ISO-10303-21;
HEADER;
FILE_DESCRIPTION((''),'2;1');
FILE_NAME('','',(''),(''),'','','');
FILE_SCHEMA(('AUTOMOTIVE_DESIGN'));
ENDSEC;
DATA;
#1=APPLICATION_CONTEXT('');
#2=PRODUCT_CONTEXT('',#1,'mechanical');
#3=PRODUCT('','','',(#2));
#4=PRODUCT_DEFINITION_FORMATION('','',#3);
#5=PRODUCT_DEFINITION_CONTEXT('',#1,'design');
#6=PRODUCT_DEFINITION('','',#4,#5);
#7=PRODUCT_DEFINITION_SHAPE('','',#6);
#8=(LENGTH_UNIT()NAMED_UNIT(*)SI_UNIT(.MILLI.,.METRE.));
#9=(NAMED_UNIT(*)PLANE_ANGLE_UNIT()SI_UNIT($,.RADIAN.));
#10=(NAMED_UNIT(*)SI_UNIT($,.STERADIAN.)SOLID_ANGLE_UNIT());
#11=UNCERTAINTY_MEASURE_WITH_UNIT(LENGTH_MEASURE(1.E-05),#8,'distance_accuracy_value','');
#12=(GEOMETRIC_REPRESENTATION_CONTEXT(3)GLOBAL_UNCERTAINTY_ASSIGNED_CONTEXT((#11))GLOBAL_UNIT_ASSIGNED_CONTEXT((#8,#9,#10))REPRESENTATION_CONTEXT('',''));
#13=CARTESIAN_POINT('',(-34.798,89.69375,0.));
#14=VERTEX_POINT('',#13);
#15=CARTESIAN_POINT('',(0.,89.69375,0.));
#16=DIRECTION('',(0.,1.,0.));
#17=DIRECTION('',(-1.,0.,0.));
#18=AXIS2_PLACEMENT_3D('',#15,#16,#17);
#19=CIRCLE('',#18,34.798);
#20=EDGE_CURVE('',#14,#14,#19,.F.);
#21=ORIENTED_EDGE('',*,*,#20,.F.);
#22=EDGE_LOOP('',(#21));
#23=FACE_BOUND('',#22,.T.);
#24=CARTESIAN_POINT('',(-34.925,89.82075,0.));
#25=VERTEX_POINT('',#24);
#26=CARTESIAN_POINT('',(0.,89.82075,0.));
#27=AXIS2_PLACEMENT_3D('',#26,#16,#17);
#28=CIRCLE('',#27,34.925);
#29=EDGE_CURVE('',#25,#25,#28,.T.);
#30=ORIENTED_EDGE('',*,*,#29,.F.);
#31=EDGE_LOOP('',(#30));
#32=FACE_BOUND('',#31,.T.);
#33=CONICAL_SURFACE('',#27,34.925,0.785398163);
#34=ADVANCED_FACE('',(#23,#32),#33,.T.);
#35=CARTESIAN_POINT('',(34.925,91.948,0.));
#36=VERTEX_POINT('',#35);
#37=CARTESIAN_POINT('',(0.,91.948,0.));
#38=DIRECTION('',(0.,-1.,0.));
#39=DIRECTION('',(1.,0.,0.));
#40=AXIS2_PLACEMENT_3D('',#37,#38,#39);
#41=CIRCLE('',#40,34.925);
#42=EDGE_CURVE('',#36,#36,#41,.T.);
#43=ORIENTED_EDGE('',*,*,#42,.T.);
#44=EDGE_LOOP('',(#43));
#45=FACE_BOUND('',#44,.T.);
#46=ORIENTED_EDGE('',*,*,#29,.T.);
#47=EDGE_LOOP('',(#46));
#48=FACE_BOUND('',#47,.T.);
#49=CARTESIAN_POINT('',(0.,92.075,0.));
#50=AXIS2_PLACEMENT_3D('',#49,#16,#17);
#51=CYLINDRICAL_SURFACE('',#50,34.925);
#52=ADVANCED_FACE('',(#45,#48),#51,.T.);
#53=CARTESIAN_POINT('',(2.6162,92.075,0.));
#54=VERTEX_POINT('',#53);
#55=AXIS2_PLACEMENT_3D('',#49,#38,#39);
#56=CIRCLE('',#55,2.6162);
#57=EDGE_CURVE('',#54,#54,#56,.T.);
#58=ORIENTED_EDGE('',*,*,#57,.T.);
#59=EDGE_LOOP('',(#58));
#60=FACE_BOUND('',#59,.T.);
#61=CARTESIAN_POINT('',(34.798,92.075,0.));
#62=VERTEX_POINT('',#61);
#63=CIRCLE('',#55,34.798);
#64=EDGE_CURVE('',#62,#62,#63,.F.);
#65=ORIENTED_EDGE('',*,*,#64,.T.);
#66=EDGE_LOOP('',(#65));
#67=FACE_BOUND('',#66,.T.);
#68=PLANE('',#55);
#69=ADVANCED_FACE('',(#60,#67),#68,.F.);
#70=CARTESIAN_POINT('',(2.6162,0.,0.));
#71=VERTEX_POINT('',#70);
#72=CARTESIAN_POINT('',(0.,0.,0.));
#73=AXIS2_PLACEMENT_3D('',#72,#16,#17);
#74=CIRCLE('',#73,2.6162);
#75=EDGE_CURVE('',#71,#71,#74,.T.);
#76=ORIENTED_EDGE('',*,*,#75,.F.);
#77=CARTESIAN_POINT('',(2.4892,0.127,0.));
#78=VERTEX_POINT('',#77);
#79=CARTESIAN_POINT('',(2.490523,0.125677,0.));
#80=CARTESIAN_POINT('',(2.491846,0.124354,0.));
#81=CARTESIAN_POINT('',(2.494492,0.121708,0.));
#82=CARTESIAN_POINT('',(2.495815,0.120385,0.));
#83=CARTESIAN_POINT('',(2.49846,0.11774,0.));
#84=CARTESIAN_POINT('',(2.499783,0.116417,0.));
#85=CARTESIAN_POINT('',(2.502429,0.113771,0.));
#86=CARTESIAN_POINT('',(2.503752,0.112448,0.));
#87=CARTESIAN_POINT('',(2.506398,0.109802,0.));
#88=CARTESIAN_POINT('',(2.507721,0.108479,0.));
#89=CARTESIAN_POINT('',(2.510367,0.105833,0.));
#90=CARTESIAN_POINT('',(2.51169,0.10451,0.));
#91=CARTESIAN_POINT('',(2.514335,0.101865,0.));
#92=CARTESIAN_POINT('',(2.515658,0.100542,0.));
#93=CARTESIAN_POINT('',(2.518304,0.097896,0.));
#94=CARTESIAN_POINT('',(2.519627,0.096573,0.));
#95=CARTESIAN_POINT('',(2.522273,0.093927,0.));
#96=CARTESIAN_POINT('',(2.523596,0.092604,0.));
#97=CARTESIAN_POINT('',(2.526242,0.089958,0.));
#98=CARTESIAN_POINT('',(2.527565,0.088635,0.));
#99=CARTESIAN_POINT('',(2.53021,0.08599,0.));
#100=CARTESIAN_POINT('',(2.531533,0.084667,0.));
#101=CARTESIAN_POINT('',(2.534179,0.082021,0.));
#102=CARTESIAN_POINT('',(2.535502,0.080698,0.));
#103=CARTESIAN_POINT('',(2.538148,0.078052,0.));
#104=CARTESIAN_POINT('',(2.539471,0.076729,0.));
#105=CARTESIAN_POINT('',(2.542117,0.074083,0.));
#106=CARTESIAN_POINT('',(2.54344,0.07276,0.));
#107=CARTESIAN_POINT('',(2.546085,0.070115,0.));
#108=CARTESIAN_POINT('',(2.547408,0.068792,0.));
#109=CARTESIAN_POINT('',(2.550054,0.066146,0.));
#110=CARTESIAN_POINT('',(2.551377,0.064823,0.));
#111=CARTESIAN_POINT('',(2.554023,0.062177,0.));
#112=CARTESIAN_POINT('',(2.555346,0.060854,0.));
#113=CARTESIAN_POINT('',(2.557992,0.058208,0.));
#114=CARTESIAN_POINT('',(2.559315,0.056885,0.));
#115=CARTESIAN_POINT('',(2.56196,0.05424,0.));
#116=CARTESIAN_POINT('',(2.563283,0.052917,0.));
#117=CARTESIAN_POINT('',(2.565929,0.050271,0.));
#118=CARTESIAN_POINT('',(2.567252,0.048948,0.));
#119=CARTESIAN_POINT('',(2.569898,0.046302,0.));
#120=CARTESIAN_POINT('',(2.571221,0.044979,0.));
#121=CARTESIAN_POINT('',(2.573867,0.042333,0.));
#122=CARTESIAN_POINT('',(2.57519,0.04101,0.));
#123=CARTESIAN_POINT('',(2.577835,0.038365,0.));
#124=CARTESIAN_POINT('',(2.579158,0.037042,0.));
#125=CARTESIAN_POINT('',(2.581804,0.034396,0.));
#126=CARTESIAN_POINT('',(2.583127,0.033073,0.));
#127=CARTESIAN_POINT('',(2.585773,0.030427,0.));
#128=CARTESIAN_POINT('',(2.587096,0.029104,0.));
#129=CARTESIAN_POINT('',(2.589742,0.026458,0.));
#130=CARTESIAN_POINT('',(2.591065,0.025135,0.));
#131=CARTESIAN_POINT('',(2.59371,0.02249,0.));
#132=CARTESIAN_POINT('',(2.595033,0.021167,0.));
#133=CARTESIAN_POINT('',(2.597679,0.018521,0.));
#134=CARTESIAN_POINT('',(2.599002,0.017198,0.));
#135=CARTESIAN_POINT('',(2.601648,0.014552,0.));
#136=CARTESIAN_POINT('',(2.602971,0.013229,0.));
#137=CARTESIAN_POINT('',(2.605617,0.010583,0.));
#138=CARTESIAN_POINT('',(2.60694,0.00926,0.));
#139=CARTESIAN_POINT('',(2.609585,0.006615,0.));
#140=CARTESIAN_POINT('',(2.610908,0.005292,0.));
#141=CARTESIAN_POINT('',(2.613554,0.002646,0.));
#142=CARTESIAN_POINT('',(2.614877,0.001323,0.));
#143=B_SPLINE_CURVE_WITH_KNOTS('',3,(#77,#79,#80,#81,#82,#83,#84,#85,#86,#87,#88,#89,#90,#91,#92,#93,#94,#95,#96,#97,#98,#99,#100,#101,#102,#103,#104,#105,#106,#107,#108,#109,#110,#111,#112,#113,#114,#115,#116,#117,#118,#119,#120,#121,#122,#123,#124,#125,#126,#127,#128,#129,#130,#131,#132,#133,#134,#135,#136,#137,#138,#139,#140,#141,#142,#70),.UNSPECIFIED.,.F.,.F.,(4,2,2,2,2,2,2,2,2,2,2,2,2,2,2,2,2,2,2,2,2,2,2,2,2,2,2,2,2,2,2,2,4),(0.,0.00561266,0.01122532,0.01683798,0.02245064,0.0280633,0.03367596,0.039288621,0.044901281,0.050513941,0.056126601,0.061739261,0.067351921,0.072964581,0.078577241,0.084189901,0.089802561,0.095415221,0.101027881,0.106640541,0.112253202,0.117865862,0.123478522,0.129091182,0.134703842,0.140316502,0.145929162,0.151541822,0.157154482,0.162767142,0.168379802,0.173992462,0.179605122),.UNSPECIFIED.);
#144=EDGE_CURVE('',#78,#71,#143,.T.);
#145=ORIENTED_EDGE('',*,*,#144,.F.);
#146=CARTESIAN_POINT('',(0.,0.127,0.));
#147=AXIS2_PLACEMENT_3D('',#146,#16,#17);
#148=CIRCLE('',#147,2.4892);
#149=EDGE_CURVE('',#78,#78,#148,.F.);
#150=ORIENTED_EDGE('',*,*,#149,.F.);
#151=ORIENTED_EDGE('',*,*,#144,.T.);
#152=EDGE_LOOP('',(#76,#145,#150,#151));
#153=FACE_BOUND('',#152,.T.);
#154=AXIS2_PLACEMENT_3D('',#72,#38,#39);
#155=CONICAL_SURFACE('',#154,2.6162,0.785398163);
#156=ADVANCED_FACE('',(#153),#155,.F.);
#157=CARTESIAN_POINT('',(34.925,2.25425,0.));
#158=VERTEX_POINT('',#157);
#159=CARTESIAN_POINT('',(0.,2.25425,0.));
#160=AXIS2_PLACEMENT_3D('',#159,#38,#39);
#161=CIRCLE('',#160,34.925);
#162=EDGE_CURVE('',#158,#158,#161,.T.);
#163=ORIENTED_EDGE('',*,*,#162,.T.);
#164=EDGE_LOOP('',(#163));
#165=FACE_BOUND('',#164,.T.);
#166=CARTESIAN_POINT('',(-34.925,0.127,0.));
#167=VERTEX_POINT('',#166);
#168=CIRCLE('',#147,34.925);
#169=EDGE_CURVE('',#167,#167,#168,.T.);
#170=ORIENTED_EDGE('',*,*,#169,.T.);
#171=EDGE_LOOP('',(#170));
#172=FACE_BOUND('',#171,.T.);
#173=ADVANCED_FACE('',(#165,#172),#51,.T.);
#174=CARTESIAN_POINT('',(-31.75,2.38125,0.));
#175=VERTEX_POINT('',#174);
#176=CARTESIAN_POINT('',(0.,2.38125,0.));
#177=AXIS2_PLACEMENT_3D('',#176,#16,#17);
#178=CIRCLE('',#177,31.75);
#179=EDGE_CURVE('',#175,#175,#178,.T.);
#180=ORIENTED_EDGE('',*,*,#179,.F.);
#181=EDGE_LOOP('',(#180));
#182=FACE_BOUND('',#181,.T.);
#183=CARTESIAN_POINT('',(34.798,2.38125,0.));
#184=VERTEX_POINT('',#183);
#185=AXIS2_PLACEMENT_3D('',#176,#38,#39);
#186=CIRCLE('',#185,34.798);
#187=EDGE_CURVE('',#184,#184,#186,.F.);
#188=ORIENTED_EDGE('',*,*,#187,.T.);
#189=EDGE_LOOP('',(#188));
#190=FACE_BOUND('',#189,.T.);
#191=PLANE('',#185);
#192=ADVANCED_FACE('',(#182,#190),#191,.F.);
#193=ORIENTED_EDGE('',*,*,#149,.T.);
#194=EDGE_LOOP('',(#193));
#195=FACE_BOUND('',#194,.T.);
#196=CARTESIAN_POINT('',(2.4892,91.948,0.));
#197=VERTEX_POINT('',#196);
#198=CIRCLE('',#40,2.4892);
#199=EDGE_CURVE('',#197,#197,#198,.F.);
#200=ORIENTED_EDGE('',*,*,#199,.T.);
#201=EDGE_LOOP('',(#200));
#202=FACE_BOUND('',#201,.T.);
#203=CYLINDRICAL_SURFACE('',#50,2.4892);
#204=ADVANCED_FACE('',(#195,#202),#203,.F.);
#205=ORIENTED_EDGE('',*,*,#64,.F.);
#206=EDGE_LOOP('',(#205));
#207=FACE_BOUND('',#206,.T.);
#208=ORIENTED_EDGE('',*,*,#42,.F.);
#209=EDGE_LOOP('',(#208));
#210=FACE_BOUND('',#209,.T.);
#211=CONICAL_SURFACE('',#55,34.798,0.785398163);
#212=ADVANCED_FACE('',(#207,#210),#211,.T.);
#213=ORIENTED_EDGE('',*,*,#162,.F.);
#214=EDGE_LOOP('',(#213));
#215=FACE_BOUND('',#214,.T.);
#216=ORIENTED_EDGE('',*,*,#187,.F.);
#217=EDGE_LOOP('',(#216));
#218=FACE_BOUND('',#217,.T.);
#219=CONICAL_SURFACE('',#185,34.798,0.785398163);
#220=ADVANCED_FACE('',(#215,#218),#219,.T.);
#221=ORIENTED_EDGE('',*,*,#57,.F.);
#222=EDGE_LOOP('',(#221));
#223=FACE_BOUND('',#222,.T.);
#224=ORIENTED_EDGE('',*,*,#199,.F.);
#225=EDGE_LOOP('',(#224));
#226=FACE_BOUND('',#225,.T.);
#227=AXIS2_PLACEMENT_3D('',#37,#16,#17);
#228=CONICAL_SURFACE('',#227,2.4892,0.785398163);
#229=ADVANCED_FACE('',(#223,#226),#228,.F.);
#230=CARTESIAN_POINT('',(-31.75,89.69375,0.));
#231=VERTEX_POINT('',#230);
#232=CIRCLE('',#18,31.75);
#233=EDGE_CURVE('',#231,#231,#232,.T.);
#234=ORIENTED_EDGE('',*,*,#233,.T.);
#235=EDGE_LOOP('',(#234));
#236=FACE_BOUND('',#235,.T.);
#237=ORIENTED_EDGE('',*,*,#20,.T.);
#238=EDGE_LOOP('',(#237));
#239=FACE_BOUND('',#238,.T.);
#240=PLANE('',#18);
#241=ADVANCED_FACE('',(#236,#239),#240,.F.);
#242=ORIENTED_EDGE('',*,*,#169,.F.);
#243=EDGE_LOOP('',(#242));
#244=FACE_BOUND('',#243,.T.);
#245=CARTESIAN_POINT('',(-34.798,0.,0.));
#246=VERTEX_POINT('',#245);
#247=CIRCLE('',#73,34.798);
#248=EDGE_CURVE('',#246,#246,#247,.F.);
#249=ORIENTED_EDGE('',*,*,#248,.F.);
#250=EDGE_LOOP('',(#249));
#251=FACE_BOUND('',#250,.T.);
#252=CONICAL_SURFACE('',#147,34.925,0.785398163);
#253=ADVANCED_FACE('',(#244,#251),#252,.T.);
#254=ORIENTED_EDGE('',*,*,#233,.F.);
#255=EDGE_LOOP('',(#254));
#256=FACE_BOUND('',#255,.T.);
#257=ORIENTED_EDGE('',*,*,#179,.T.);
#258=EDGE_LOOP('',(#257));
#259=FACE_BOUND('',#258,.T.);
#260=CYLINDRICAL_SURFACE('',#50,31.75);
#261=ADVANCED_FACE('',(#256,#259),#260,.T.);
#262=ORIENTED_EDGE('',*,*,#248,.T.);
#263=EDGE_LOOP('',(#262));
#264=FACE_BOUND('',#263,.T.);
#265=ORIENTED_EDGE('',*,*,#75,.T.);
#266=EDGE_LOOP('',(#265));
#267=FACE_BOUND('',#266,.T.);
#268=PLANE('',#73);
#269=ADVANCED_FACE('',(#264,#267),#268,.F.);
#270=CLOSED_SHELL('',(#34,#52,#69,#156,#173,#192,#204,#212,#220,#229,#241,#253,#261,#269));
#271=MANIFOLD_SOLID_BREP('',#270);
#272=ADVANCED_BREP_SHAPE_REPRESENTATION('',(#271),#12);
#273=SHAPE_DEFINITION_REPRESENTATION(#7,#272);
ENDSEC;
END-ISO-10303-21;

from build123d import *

# Parameters (mm, degrees)
CHAMFER1_SIZE = 0.127


with BuildPart() as part:
    # Sketch1 → Revolve1 (revolve)
    with BuildSketch(Plane.XY, mode=Mode.PRIVATE) as revolve1_sk:
        Polygon((2.4892, 4.7752), (2.4892, 0), (34.925, 0), (34.925, 2.38125), (31.75, 2.38125), (31.75, 89.69375), (34.925, 89.69375), (34.925, 92.075), (2.4892, 92.075), (2.4892, 46.0375), (2.4892, 36.4998), align=None)
    revolve(revolve1_sk.sketch.rotate(Axis((0, 92.075, 0), (0, -1, 0)), 180), axis=Axis((0, 92.075, 0), (0, -1, 0)))

    # Chamfer1
    chamfer1_edges = [part.edges().sort_by_distance(p)[0] for p in [
        (34.925, 2.38125, 0),
        (34.925, 0, 0),
        (2.4892, 0, 0),
        (2.4892, 92.075, 0),
        (34.925, 92.075, 0),
        (34.925, 89.69375, 0),
    ]]
    chamfer(chamfer1_edges, length=CHAMFER1_SIZE)


solid = part.part
